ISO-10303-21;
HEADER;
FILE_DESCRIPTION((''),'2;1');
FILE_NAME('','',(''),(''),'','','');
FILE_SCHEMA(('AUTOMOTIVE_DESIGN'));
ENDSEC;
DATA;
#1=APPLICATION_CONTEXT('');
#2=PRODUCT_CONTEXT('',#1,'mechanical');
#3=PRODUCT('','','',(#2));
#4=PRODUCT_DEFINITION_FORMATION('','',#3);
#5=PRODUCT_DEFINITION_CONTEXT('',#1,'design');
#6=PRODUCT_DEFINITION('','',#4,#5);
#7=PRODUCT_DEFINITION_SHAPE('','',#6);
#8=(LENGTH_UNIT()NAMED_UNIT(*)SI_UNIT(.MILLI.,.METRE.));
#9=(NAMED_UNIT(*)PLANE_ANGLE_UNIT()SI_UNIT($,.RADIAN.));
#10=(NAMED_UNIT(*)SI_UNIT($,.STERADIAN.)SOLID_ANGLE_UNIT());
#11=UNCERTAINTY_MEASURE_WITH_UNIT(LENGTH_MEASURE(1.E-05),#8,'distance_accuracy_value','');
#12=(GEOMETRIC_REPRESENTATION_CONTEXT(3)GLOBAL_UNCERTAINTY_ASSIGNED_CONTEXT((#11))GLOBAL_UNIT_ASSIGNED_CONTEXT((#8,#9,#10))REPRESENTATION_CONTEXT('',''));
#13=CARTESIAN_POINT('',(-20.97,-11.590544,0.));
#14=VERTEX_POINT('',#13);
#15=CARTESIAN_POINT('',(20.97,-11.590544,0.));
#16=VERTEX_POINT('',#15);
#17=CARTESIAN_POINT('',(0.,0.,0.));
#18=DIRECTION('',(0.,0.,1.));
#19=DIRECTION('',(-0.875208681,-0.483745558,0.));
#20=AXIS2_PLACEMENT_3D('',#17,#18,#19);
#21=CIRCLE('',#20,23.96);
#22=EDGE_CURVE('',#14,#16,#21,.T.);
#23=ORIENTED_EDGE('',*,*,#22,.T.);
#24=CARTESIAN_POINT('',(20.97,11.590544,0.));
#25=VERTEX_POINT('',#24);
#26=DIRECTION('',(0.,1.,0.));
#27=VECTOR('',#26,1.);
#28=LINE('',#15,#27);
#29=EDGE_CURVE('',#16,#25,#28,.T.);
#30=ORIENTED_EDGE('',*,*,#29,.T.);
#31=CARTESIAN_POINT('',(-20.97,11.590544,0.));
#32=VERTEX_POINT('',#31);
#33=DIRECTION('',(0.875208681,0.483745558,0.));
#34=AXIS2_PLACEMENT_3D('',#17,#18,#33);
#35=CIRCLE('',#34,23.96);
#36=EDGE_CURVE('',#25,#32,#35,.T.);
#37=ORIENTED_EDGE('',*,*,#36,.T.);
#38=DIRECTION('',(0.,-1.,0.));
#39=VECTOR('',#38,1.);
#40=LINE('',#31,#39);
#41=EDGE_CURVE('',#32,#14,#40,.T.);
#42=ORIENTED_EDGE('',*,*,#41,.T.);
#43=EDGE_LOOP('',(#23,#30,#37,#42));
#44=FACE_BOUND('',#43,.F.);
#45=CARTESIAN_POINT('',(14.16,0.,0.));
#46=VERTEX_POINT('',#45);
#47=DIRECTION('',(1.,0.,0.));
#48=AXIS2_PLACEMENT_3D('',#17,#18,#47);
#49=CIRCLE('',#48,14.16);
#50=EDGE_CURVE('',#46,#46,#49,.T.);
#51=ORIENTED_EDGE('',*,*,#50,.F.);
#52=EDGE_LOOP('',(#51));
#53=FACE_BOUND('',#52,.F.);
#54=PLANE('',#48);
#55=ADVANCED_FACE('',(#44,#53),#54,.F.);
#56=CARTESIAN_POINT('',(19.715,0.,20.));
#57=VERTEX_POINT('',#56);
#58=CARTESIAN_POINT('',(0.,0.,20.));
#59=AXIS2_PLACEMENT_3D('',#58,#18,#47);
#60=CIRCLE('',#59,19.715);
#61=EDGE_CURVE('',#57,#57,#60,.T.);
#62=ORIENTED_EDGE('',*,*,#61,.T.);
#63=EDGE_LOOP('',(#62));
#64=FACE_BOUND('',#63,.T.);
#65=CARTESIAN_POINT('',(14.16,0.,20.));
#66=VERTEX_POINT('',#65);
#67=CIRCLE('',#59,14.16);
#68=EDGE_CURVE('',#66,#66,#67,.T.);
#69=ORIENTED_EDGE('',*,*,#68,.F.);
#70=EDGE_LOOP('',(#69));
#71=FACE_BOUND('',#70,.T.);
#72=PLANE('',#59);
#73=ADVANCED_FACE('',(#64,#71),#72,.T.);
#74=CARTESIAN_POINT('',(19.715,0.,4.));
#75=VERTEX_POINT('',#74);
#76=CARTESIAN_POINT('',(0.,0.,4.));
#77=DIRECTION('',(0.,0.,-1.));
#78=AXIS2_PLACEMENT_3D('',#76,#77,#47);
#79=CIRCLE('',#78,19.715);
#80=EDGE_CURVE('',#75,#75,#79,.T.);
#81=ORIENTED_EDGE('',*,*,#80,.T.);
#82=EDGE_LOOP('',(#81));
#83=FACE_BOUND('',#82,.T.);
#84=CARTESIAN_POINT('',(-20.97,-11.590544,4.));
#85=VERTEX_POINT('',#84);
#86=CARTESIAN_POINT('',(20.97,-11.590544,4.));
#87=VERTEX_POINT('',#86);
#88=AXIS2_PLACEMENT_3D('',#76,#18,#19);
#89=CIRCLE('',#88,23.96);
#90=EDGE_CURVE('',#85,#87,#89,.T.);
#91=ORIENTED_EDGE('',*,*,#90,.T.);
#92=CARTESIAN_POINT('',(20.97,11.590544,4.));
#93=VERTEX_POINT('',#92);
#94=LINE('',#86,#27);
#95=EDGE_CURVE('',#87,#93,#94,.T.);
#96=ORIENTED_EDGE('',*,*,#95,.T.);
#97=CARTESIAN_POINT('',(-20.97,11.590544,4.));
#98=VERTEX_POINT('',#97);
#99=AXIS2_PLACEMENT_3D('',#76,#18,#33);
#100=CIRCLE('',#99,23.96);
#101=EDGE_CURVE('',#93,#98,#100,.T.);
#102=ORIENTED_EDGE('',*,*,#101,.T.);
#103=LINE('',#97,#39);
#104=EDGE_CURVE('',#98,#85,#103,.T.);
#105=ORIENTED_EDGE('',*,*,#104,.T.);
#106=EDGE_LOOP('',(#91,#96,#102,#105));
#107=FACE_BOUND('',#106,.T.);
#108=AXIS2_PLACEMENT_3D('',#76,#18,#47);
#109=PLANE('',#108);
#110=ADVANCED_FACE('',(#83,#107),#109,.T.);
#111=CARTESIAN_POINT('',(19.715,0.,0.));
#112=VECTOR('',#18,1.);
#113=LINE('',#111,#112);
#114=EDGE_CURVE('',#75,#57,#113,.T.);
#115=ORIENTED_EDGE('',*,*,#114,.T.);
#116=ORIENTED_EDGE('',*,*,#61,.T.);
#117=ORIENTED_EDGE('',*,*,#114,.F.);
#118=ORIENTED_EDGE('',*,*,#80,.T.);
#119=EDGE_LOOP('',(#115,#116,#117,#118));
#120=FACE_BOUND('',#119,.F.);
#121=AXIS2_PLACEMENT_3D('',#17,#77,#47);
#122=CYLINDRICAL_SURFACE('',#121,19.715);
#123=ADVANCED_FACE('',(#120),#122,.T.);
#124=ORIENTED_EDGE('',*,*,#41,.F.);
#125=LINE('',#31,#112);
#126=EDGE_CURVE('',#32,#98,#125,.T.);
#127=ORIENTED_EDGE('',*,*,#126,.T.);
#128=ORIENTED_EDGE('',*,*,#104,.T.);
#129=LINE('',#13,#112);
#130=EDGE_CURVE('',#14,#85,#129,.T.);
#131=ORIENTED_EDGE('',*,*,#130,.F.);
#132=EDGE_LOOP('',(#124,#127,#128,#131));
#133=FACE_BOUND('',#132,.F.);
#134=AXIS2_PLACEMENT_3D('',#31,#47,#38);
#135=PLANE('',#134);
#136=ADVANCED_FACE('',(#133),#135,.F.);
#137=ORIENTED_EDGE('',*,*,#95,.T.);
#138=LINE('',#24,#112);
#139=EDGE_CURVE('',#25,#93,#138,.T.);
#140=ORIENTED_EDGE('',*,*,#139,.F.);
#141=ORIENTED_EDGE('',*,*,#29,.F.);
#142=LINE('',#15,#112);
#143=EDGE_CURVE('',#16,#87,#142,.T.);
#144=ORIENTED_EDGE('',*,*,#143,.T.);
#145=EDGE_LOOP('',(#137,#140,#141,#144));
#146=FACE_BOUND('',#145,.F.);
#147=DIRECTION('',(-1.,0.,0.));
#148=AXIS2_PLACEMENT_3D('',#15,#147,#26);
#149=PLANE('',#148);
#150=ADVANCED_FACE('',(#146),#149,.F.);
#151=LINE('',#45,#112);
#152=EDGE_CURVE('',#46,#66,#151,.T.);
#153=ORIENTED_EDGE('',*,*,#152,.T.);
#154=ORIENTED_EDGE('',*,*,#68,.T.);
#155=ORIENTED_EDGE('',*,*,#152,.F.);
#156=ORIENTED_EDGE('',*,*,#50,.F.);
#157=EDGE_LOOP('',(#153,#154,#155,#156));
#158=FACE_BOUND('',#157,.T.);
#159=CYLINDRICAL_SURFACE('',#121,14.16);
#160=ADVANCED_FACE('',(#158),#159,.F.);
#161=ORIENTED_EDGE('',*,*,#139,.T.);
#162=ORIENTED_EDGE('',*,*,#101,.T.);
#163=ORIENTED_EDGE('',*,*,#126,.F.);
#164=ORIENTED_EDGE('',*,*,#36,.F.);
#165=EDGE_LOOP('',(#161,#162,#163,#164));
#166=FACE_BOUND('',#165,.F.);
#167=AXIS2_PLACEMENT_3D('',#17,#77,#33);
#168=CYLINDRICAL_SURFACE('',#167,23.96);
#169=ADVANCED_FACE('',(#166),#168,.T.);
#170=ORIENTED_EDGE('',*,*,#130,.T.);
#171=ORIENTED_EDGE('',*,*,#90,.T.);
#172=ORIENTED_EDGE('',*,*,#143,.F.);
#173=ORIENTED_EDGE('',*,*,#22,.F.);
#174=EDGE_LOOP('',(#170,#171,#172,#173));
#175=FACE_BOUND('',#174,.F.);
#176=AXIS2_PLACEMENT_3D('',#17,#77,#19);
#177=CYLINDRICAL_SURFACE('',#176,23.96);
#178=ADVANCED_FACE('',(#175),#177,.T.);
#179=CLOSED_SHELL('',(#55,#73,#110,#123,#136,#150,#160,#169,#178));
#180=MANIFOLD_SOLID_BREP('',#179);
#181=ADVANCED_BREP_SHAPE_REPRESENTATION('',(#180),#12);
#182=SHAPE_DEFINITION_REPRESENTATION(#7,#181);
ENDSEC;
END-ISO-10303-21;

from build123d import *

# Parameters (mm, degrees)
F0_R     = 19.715
F0_R_2   = 18.38
F1_DEPTH = 4
F0_R_3   = 14.16
F2_DEPTH = 20


with BuildPart() as f1:
    # F0 (on Top) → F1 (new body)
    with BuildSketch(Plane.XY):
        with BuildLine():
            Line((20.97, -11.5905435593), (20.97, 11.5905435593))
            ThreePointArc((20.97, 11.5905435593), (0, 23.96), (-20.97, 11.5905435593))
            Line((-20.97, 11.5905435593), (-20.97, -11.5905435593))
            ThreePointArc((-20.97, -11.5905435593), (0, -23.96), (20.97, -11.5905435593))
        make_face()
        Circle(F0_R, mode=Mode.SUBTRACT)
        Circle(F0_R)
        Circle(F0_R_2, mode=Mode.SUBTRACT)
    extrude(amount=F1_DEPTH)

    # F0 (on Top) → F2 (join)
    with BuildSketch(Plane.XY):
        Circle(F0_R)
        Circle(F0_R_2, mode=Mode.SUBTRACT)
        Circle(F0_R_2)
        Circle(F0_R_3, mode=Mode.SUBTRACT)
    extrude(amount=F2_DEPTH)


solid = f1.part
